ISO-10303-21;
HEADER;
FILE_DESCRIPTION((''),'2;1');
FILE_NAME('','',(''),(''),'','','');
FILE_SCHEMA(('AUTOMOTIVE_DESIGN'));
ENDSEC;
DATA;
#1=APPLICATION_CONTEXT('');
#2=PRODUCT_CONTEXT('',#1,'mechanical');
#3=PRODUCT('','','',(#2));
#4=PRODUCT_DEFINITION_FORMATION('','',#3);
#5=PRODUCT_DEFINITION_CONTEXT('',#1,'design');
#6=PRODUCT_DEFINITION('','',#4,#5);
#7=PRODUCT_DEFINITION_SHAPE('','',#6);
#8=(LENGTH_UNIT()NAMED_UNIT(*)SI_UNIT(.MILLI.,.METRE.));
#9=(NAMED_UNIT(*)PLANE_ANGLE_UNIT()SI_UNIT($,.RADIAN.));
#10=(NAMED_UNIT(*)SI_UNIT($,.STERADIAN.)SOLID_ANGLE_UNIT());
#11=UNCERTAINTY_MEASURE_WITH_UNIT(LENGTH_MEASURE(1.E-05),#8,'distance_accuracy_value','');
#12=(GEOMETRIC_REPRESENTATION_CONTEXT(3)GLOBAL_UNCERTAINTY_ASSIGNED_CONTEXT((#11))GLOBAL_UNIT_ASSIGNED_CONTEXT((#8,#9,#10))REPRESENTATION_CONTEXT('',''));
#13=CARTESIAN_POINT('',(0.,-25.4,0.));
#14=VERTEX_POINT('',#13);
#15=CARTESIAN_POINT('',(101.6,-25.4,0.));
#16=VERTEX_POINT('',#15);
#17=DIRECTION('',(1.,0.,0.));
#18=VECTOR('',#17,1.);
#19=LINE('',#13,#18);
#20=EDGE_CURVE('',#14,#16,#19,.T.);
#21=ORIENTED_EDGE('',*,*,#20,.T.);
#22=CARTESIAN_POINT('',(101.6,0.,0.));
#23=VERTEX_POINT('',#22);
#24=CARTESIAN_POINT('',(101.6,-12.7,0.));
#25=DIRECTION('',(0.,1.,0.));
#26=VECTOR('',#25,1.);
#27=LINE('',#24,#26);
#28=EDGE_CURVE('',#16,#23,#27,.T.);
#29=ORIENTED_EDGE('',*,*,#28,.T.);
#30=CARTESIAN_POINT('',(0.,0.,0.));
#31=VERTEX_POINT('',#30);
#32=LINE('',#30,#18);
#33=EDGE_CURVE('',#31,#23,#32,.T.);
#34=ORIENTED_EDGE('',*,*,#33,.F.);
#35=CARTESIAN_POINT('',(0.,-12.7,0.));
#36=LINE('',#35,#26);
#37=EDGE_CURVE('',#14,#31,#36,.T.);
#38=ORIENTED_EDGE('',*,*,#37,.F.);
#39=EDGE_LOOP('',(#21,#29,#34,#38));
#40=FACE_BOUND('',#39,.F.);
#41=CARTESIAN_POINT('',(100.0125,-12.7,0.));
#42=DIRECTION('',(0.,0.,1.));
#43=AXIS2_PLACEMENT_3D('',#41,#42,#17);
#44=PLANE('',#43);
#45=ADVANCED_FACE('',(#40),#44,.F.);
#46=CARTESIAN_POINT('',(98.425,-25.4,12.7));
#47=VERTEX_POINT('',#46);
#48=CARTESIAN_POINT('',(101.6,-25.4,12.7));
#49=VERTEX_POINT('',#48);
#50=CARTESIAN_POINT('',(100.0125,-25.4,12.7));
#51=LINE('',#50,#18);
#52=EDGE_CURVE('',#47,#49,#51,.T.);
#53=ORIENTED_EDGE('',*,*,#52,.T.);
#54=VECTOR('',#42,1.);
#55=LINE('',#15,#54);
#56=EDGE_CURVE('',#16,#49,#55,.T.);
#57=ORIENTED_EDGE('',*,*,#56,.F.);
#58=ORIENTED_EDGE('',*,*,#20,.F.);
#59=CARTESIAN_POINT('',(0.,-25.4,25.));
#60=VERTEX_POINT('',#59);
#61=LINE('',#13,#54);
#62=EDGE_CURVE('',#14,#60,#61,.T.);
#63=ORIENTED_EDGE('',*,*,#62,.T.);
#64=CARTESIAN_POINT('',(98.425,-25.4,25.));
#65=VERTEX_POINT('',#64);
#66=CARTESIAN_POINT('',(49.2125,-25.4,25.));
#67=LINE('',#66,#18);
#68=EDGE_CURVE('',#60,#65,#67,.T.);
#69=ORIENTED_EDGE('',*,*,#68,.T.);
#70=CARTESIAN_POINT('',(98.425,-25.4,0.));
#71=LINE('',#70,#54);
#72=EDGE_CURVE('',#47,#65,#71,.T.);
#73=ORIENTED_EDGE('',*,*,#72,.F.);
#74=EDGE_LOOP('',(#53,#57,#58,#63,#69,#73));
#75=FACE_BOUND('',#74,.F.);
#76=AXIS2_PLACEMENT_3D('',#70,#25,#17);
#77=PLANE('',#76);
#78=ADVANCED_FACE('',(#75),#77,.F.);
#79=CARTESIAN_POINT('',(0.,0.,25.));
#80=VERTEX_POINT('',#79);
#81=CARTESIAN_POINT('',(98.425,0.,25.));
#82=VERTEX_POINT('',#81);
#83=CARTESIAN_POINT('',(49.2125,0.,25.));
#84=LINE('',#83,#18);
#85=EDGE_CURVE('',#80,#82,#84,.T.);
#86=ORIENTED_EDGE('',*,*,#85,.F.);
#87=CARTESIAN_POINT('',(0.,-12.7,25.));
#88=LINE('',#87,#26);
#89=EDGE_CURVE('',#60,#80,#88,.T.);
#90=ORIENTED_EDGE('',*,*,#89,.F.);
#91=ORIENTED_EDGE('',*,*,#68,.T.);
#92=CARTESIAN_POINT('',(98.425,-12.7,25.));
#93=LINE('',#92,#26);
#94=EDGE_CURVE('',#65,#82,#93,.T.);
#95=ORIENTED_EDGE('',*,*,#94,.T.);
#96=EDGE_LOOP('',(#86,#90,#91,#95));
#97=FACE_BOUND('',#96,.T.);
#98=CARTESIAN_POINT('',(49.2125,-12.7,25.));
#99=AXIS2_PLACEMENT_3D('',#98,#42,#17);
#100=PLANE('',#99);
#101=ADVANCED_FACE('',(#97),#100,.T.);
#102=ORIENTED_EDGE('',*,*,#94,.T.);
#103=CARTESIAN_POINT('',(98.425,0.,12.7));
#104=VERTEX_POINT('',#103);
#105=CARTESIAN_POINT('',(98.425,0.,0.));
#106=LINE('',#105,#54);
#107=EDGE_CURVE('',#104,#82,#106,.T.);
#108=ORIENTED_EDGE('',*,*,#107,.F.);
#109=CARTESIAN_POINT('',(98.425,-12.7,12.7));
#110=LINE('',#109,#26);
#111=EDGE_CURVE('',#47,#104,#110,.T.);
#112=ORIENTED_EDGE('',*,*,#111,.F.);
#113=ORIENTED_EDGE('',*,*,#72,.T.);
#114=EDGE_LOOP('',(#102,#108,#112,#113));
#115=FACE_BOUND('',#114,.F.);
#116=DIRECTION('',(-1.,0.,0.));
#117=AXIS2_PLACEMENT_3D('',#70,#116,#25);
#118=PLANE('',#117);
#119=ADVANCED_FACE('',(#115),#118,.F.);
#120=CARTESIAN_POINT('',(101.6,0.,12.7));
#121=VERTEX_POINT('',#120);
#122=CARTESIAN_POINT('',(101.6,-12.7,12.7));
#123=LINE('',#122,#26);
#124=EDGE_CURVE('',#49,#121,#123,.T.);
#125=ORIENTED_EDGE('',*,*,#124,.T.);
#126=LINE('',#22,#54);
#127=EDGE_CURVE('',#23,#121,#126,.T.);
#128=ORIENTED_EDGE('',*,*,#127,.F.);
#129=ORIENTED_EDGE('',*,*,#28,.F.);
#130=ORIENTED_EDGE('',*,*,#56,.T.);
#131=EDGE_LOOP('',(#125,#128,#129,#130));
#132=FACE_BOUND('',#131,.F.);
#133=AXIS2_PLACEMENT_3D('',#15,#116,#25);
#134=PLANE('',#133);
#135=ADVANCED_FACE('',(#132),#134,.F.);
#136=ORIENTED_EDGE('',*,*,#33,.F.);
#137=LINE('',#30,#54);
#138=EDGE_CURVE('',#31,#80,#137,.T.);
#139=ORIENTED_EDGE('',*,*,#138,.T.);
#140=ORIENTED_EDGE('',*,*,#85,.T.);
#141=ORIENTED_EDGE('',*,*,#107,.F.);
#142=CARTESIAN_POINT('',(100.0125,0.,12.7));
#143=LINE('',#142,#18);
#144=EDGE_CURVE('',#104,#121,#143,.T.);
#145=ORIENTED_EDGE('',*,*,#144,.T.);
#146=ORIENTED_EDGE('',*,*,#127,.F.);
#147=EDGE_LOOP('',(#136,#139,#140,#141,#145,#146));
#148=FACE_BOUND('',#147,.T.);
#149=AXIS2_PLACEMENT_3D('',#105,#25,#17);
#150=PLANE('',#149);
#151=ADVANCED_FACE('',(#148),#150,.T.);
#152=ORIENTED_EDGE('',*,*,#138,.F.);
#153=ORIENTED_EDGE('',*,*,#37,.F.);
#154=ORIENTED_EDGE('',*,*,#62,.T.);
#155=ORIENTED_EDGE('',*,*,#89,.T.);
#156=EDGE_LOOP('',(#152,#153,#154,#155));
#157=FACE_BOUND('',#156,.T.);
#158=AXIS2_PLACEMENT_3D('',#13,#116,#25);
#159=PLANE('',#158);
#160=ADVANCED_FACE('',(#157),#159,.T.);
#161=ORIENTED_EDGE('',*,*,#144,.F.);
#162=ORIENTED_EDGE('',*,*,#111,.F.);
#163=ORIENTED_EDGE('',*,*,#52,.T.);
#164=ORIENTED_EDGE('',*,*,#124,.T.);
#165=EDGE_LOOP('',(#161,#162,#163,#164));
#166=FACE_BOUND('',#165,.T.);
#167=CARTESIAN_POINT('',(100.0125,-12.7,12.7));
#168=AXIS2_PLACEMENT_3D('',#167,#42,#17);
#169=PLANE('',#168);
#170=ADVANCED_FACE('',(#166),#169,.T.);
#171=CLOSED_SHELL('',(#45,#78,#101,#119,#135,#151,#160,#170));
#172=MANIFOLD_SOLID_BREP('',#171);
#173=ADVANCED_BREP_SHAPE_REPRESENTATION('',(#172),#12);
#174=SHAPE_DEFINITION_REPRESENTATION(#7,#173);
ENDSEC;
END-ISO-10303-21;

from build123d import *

# Parameters (mm, degrees)
F0_W     = 98.425
F0_H     = 25.4
F1_DEPTH = 25
F0_W_2   = 3.175
F2_DEPTH = 12.7


with BuildPart() as f1:
    # F0 (on Top) → F1 (new body)
    with BuildSketch(Plane.XY):
        with Locations((49.2125, -12.7)):
            Rectangle(F0_W, F0_H)
    extrude(amount=F1_DEPTH)

    # F0 (on Top) → F2 (join)
    with BuildSketch(Plane.XY):
        with Locations((100.0125, -12.7)):
            Rectangle(F0_W_2, F0_H)
    extrude(amount=F2_DEPTH)


solid = f1.part
